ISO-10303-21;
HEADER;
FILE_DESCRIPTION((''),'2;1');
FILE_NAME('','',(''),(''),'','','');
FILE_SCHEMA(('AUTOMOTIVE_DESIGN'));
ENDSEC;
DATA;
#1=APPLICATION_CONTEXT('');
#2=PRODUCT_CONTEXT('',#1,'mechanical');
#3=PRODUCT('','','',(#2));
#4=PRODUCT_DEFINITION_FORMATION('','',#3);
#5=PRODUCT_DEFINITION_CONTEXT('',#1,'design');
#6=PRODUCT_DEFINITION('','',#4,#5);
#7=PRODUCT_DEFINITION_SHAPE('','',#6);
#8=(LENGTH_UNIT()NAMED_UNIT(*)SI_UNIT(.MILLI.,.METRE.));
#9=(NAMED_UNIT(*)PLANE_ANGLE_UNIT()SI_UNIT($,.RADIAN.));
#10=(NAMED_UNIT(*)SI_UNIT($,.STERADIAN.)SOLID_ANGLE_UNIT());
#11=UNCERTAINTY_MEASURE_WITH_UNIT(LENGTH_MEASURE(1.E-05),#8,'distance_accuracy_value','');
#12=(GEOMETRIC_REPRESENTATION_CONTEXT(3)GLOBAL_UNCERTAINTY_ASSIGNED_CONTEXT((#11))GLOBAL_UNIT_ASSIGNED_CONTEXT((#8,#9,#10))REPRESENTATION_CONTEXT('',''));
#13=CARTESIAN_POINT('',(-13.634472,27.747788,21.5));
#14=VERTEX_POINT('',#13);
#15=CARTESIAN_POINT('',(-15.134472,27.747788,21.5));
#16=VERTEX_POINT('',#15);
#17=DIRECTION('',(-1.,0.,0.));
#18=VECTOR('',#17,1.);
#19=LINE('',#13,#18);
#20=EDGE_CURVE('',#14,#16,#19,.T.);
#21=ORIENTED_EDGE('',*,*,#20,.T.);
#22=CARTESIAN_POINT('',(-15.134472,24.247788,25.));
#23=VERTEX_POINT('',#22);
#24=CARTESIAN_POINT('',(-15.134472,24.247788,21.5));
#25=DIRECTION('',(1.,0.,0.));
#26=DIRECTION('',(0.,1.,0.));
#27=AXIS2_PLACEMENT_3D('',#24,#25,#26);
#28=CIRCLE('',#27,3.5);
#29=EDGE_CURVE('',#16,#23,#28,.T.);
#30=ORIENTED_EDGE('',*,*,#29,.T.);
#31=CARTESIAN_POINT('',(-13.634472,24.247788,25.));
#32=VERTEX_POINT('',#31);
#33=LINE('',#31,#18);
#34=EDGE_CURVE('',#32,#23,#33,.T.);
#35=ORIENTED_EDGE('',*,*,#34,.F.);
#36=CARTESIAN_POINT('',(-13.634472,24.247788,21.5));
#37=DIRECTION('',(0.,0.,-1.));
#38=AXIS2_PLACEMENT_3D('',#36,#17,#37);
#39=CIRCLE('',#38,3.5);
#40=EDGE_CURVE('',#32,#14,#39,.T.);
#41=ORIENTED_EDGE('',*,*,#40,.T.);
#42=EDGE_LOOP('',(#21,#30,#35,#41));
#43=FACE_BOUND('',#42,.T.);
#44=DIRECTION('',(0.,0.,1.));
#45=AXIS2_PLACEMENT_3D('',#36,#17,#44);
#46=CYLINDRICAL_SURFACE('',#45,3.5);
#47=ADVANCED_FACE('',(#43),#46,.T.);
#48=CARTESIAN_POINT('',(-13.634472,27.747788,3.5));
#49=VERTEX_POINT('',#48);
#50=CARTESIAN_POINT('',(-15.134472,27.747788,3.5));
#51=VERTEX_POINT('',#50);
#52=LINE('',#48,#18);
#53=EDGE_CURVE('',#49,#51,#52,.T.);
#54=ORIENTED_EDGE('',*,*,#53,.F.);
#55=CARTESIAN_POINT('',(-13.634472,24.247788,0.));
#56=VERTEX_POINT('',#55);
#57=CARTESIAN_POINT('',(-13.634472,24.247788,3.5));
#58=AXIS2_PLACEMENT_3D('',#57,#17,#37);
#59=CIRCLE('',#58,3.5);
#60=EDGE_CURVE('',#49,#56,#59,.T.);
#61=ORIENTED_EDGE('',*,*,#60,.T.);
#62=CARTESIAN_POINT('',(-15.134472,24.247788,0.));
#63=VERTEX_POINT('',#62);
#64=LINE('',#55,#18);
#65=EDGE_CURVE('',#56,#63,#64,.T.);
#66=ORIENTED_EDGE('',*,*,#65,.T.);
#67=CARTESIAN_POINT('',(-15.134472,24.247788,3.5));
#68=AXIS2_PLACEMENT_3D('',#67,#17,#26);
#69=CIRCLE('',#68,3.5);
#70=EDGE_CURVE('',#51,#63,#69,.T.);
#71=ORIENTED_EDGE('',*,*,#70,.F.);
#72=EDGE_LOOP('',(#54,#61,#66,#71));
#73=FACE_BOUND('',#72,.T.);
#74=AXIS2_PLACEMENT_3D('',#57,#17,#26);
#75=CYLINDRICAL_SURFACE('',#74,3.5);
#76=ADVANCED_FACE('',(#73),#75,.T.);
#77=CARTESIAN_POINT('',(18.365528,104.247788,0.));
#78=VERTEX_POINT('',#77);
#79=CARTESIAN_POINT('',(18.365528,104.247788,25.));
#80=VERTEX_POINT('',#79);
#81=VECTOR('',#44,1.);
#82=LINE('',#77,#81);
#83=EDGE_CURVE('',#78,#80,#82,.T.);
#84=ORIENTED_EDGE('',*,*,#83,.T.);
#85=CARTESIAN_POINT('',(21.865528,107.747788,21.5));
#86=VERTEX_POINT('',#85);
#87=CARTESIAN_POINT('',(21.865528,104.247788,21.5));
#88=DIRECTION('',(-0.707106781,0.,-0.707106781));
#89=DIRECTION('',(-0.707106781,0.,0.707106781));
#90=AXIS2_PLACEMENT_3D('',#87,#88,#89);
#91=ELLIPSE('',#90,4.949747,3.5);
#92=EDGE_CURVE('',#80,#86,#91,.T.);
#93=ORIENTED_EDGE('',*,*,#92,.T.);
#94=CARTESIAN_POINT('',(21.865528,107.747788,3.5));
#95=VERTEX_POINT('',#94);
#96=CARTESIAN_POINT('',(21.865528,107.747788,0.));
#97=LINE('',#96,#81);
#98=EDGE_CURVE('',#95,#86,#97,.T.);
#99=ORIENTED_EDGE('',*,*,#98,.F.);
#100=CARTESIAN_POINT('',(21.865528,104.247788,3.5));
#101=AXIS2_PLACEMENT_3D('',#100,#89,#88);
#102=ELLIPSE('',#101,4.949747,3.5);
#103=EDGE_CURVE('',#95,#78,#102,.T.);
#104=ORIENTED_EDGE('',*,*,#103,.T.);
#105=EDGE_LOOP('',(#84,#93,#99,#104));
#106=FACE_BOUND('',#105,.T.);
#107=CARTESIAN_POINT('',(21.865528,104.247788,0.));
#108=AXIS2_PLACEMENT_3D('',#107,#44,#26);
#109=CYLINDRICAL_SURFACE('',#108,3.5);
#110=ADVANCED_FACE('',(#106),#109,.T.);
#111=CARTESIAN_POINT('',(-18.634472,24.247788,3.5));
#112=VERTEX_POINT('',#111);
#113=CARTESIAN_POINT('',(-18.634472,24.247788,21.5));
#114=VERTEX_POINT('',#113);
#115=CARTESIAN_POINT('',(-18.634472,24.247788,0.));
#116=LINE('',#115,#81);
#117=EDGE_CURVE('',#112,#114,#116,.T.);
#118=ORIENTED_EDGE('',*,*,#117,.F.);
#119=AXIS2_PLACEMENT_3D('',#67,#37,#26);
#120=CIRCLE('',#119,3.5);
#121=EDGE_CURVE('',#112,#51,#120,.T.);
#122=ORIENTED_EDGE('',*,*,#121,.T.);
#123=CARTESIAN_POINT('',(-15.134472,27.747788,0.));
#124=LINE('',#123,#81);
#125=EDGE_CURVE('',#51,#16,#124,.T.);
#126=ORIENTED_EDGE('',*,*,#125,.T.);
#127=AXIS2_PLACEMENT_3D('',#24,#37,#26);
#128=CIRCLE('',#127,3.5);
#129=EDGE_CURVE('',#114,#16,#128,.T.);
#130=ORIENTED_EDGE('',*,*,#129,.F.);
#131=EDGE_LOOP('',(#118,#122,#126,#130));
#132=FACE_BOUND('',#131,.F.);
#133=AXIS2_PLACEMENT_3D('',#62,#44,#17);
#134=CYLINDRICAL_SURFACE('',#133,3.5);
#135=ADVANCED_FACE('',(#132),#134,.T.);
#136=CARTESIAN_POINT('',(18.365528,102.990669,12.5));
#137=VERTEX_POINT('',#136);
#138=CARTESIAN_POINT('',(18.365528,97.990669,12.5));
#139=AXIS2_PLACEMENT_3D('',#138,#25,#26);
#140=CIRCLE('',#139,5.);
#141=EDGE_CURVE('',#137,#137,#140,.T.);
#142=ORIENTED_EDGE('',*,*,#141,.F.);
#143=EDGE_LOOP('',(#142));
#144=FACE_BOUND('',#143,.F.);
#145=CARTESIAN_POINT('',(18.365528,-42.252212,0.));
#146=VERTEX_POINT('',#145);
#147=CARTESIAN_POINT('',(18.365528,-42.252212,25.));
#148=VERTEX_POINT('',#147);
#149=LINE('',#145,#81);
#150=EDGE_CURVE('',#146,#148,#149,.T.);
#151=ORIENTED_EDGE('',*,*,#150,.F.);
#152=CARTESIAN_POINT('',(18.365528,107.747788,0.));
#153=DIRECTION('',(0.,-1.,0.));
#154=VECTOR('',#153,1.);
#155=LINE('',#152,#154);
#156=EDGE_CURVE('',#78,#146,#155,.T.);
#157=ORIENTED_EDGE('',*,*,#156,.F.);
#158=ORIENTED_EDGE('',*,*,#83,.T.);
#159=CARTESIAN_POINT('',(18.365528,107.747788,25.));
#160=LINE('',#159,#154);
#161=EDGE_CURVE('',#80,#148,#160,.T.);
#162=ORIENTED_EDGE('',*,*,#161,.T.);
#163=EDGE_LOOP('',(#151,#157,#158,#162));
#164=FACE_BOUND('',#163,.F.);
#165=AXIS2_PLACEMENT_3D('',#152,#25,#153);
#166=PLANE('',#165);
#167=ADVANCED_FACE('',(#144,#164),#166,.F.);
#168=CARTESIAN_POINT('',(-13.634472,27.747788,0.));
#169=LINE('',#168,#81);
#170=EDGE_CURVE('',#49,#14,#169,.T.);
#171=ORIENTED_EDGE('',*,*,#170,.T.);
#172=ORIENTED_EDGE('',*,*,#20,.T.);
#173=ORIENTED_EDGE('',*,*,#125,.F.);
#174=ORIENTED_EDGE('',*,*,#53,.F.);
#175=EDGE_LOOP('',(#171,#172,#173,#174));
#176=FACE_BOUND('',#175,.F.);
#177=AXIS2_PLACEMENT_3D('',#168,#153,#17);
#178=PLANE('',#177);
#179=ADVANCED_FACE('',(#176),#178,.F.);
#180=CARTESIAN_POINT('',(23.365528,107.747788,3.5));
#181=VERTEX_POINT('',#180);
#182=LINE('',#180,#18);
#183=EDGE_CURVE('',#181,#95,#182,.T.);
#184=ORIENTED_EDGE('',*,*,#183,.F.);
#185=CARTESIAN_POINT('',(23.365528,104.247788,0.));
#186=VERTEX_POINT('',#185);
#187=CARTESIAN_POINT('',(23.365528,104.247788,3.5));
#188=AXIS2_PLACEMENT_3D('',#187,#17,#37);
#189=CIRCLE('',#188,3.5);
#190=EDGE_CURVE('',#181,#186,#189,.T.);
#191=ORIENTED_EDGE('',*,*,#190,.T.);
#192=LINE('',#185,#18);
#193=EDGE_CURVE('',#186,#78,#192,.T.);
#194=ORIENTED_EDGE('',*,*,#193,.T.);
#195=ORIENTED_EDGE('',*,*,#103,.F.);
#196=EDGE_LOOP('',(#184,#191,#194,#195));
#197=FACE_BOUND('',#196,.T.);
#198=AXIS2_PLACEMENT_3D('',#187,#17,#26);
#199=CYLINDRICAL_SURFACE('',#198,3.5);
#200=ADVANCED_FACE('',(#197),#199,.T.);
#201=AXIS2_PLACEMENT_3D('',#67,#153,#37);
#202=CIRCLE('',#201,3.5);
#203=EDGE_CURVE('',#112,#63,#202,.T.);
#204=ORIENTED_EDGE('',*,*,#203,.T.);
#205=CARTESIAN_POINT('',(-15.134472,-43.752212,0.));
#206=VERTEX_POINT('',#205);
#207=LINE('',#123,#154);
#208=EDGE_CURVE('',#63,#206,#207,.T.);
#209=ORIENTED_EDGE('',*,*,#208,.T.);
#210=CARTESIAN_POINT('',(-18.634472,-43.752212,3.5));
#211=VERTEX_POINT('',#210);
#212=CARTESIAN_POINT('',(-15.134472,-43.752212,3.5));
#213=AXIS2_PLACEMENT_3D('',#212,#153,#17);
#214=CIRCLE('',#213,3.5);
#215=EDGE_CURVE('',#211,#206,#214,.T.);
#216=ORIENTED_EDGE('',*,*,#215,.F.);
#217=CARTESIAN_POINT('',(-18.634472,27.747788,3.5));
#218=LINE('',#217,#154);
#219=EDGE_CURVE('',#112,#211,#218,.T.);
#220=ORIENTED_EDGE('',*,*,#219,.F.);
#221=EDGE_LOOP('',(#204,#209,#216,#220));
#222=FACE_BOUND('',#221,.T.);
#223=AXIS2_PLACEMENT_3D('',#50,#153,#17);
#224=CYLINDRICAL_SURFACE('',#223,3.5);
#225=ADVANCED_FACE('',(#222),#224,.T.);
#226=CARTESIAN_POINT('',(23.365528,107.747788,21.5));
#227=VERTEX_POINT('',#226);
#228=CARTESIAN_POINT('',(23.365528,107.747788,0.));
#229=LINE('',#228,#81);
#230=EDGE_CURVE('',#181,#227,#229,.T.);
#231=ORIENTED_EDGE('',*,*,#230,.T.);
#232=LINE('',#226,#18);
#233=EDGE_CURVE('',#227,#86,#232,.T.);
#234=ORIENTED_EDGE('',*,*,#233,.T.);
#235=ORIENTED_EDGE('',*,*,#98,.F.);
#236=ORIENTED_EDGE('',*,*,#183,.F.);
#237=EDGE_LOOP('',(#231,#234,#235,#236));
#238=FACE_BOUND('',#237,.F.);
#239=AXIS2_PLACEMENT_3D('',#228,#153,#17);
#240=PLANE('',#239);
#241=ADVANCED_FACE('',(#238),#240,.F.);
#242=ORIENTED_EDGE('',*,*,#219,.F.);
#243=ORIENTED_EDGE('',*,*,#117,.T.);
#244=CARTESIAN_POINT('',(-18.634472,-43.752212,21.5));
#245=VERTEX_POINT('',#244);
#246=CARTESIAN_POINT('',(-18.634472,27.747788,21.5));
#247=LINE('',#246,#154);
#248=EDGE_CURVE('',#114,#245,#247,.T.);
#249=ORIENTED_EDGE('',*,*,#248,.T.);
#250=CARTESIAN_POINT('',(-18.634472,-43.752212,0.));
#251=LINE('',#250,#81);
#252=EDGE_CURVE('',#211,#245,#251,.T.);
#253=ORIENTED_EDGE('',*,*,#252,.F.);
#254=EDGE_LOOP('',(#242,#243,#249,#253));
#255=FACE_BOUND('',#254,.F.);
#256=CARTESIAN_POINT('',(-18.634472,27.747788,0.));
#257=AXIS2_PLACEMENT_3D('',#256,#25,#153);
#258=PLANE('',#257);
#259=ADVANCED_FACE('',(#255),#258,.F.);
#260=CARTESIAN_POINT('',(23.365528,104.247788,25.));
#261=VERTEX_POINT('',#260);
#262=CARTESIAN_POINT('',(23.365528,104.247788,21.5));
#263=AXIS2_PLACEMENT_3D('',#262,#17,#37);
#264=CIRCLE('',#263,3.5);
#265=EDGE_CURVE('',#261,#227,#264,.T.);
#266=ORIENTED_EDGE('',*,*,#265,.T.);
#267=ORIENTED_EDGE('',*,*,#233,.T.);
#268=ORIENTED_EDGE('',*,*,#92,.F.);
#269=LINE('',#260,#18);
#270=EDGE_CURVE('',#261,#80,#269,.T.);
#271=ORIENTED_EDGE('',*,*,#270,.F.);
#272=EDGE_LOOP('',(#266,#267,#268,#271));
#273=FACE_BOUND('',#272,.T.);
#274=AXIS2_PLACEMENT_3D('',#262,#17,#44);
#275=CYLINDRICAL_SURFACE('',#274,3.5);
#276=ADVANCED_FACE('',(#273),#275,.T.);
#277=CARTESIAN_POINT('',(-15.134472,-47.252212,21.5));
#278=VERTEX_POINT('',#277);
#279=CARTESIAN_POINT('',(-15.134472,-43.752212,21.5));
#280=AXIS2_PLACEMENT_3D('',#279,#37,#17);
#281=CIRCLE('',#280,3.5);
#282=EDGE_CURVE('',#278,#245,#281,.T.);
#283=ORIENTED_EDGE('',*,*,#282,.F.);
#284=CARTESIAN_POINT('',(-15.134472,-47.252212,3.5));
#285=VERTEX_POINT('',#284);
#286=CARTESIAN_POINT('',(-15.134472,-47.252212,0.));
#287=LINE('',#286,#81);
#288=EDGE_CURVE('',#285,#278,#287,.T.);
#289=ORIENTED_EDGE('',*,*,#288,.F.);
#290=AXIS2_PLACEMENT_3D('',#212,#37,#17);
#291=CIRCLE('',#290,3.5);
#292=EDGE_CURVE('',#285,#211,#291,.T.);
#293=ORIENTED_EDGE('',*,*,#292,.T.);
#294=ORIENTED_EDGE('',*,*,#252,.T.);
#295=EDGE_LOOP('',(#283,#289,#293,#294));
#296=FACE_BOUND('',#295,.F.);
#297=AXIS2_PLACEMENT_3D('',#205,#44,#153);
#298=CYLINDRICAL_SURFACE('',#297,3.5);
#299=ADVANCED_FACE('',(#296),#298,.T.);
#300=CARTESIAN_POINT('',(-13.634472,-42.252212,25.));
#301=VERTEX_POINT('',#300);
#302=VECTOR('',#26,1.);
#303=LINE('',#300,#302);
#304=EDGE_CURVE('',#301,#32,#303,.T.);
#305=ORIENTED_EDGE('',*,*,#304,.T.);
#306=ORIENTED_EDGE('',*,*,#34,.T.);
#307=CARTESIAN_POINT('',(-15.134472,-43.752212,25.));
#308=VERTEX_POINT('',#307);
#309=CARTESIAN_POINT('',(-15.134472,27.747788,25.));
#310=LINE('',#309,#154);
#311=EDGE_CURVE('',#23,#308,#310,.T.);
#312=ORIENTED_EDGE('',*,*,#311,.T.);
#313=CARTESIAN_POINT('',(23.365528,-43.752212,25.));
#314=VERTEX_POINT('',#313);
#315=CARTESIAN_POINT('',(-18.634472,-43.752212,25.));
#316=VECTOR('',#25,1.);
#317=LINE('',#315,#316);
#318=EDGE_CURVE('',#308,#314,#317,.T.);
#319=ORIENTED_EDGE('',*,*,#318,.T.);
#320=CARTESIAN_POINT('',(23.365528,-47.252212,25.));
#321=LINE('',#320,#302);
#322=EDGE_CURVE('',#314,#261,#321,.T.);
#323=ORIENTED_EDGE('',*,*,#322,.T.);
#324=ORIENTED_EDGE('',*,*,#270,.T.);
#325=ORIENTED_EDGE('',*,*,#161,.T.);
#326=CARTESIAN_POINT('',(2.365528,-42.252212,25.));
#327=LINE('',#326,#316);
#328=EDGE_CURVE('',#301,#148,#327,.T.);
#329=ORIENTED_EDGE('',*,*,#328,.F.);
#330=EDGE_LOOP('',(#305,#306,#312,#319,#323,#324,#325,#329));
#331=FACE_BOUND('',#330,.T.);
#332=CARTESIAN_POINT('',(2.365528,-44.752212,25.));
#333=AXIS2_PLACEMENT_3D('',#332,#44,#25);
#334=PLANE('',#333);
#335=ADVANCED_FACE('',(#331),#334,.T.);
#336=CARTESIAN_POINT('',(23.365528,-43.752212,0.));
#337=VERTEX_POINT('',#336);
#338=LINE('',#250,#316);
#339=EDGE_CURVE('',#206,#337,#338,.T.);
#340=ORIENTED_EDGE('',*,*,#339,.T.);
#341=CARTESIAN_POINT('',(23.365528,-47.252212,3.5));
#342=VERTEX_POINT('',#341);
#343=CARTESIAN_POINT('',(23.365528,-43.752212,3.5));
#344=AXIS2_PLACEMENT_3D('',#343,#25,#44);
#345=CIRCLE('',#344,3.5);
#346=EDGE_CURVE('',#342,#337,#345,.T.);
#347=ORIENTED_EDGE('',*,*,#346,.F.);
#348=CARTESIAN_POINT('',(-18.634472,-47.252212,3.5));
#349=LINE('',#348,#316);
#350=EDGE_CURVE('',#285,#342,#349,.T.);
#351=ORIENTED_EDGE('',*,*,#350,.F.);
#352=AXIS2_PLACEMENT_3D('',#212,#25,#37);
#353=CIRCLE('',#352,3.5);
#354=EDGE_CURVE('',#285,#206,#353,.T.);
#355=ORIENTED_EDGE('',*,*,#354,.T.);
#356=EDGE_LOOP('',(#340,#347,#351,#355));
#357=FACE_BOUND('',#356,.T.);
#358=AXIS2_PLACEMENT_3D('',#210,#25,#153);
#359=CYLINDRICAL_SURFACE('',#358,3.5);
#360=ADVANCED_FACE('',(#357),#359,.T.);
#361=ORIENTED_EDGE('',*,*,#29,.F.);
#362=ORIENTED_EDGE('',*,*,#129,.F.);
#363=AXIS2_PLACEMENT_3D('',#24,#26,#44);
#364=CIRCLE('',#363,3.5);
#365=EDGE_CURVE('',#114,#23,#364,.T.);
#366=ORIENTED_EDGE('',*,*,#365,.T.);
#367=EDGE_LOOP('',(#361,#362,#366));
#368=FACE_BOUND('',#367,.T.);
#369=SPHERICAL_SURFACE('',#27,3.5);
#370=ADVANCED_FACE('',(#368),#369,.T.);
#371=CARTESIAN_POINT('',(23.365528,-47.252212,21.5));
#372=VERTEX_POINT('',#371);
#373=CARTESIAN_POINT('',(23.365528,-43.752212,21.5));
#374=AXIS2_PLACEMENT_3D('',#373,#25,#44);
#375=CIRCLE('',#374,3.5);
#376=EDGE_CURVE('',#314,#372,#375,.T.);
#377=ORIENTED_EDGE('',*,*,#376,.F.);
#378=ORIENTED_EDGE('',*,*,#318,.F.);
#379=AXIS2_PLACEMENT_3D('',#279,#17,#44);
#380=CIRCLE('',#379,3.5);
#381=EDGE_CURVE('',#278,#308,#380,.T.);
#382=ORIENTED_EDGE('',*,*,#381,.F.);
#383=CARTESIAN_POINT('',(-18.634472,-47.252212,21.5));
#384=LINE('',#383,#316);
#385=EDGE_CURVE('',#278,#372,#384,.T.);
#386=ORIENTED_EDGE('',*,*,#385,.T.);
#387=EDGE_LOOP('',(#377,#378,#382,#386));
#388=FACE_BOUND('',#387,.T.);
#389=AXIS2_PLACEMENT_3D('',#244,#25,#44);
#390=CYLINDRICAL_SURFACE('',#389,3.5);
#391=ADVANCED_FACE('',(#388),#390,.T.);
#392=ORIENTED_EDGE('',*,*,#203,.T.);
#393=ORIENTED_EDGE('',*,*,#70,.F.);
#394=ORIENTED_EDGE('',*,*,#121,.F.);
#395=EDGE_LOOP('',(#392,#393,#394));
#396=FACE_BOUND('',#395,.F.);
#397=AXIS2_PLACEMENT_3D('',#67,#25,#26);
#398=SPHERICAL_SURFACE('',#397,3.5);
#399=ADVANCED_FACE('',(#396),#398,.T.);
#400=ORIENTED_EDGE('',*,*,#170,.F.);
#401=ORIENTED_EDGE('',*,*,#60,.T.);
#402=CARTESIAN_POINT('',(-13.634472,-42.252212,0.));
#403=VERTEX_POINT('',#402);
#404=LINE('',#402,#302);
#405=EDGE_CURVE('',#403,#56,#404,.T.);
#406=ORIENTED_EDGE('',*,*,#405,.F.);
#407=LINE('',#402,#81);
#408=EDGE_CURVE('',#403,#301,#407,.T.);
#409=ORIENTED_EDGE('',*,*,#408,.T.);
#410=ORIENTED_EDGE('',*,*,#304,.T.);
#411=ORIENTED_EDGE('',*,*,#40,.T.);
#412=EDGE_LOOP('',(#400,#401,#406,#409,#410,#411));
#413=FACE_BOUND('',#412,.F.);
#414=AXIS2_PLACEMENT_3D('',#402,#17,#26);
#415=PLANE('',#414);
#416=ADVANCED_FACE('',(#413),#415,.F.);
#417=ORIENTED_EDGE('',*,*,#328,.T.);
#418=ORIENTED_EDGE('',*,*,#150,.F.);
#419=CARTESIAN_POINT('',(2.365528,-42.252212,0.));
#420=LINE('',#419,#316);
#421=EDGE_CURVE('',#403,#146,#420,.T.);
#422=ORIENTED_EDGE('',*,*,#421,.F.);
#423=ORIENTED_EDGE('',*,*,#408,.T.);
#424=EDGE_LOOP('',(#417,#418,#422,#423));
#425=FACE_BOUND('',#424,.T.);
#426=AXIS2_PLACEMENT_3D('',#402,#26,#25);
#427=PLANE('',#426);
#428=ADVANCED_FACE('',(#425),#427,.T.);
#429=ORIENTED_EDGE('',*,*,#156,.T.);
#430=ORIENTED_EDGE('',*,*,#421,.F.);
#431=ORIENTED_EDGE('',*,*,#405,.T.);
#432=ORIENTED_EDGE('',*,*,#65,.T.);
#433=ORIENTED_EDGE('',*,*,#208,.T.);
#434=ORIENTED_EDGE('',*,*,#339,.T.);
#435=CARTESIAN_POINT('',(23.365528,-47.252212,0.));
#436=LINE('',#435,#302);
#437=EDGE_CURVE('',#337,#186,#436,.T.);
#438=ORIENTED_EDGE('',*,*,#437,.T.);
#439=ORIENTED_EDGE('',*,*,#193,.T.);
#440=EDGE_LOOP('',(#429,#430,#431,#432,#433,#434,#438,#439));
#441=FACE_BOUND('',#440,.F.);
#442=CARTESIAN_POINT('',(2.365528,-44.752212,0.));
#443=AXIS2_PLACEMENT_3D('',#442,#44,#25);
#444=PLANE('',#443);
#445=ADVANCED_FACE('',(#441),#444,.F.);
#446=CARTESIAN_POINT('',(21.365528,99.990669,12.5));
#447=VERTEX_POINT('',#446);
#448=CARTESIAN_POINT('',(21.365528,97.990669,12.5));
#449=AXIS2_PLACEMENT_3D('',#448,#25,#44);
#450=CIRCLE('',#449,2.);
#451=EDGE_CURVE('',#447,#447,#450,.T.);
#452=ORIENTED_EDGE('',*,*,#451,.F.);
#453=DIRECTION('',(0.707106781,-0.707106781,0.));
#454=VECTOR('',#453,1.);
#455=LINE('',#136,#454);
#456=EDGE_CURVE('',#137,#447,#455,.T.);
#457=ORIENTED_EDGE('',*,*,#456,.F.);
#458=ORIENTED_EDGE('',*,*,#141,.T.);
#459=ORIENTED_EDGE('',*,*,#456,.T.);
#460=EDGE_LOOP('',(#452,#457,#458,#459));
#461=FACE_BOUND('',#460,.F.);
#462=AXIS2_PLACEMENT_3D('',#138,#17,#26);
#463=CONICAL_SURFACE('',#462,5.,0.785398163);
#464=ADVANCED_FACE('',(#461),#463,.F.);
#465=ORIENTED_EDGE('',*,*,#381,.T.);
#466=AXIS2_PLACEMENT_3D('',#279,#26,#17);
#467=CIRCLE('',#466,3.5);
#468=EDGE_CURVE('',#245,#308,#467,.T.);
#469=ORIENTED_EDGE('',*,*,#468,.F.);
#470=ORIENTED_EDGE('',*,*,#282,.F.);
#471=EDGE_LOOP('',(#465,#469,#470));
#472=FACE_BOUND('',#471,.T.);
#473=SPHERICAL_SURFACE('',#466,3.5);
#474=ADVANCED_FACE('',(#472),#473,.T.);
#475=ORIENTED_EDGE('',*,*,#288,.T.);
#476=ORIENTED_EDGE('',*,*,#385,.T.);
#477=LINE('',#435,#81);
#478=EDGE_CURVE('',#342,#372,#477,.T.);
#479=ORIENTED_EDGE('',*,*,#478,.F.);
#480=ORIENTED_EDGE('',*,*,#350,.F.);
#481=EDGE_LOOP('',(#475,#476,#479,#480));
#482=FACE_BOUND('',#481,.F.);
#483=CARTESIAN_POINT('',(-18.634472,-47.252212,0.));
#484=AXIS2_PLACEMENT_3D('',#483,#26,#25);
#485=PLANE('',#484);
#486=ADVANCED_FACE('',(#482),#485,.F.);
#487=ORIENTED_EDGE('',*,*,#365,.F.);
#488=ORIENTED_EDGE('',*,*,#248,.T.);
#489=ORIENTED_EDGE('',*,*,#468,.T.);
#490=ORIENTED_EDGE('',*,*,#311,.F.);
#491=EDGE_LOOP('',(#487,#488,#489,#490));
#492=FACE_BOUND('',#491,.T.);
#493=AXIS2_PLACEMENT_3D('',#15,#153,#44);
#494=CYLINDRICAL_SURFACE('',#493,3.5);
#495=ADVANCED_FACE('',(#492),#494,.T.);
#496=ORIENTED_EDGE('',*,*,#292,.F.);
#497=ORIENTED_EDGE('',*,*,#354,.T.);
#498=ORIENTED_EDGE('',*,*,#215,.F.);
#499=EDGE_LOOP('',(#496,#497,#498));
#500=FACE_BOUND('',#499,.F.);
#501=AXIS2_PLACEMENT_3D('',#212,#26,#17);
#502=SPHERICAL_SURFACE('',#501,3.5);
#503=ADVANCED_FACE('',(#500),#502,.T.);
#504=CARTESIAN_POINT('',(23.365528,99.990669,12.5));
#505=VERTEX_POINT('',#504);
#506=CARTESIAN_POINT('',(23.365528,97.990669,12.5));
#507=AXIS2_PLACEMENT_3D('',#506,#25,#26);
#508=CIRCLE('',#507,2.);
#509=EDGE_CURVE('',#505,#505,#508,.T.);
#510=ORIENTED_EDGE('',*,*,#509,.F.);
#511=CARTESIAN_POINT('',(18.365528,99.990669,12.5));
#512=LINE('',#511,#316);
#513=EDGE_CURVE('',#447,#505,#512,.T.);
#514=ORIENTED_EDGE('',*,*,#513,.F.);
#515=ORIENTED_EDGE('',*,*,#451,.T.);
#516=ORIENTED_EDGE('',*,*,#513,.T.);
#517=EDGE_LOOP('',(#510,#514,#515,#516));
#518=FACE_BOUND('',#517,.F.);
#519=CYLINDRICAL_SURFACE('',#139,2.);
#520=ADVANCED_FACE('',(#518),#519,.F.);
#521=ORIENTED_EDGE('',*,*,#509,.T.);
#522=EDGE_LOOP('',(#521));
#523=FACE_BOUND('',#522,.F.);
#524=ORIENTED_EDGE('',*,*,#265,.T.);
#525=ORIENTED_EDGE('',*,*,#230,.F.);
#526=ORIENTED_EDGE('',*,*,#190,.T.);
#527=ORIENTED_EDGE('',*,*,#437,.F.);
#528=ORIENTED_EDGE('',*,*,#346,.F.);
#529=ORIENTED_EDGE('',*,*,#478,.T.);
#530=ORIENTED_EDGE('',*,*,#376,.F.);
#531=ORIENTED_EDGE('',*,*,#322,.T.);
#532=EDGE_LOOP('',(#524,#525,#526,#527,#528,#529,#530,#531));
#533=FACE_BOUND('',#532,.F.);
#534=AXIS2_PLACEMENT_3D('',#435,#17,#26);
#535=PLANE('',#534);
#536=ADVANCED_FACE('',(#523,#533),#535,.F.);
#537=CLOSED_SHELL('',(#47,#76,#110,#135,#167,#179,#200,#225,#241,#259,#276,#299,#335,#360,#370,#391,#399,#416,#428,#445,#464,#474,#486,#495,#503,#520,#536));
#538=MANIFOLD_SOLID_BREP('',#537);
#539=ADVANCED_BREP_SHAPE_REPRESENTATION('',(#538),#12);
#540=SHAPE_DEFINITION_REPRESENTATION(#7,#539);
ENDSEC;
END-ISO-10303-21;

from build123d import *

# Parameters (mm, degrees)
F0_W           = 32
F0_H           = 5
F1_DEPTH       = 25
F3_D           = 4
F3_CSINK_D     = 10
F3_CSINK_ANGLE = 90
F4_R           = 3.5


with BuildPart() as f1:
    # F0 (on Top) → F1 (new body)
    with BuildSketch(Plane.XY):
        with Locations((2.365528, -44.752212)):
            Rectangle(F0_W, F0_H)
        Polygon((-18.634472, -47.252212), (-13.634472, -47.252212), (-13.634472, -42.252212), (-13.634472, 27.747788), (-18.634472, 27.747788), align=None)
        Polygon((18.365528, -42.252212), (18.365528, -47.252212), (23.365528, -47.252212), (23.365528, 107.747788), (18.365528, 107.747788), align=None)
    extrude(amount=F1_DEPTH)

    # F3 (through all)
    with Locations(Plane(origin=(18.365528, 0, 0), x_dir=(0, -1, 0), z_dir=(-1, 0, 0))):
        with Locations((-97.990669, 12.5)):
            CounterSinkHole(F3_D / 2, F3_CSINK_D / 2, counter_sink_angle=F3_CSINK_ANGLE)

    # F4
    f4_edges = [f1.edges().sort_by_distance(p)[0] for p in [
        (-16.134472, 27.747788, 0),
        (-16.134472, 27.747788, 25),
        (20.865528, 107.747788, 0),
        (20.865528, 107.747788, 25),
        (-18.634472, 27.747788, 12.5),
        (-18.634472, -9.752212, 25),
        (-18.634472, -9.752212, 0),
        (-18.634472, -47.252212, 12.5),
        (2.365528, -47.252212, 25),
        (2.365528, -47.252212, 0),
        (18.365528, 107.747788, 12.5),
    ]]
    fillet(f4_edges, radius=F4_R)


solid = f1.part
